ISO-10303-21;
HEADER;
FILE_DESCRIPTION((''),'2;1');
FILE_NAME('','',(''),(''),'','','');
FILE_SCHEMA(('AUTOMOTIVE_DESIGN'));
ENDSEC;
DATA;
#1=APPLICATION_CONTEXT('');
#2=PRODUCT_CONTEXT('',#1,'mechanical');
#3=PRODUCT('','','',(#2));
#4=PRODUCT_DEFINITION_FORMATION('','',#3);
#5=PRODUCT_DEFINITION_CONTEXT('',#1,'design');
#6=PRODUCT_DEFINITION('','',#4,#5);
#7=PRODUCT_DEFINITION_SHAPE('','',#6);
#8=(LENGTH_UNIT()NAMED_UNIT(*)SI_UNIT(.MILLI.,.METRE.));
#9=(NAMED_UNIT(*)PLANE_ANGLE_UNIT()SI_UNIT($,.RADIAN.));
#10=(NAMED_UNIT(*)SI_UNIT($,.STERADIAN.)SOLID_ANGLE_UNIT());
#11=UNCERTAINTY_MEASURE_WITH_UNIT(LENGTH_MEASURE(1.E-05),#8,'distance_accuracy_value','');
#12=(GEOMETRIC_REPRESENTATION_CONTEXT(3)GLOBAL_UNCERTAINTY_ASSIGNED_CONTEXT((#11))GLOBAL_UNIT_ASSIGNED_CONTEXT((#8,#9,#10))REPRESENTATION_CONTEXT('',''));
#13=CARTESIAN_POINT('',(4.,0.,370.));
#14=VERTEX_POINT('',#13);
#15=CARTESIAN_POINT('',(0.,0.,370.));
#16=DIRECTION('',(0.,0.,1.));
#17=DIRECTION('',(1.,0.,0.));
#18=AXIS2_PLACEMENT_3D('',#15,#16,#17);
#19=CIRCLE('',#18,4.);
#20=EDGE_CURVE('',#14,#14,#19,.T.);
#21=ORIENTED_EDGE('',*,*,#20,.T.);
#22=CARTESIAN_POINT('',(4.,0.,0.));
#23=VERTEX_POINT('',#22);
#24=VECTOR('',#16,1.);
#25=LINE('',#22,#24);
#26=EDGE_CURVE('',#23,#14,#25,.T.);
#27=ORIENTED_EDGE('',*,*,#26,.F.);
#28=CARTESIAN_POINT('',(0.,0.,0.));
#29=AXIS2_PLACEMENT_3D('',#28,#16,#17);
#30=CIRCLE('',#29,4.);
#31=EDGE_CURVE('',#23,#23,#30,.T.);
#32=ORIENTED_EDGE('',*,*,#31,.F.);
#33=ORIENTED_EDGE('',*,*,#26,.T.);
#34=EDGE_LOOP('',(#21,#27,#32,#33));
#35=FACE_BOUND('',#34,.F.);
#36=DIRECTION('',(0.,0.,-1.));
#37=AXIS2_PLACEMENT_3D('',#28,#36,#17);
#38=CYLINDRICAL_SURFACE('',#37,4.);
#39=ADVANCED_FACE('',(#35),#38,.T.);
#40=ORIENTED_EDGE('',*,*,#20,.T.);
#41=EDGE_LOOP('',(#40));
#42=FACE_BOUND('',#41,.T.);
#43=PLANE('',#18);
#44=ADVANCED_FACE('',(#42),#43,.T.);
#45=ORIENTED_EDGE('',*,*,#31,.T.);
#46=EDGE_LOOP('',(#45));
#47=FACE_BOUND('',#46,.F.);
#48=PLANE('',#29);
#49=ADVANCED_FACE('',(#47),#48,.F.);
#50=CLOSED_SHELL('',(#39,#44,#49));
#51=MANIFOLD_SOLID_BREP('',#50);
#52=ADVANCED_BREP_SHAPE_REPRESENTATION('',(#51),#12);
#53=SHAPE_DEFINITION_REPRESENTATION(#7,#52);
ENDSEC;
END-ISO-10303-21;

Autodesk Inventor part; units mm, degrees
ref_plane "YZ Plane" through (0, 0, 0) normal (1, 0, 0) x (0, 1, 0)
ref_plane "XZ Plane" through (0, 0, 0) normal (0, 1, 0) x (-1, 0, 0)
ref_plane "XY Plane" through (0, 0, 0) normal (0, 0, 1) x (1, 0, 0)
sketch "Sketch1" plane through (0, 0, 0) normal (0, 0, 1) x (1, 0, 0)
  circle A0 centre (0, 0) radius 4
  dimension "d0" = 8
extrude "Extrusion1" add sketch "Sketch1" along normal blind 370
properties part number "YShaft" material "Steel, Alloy"
